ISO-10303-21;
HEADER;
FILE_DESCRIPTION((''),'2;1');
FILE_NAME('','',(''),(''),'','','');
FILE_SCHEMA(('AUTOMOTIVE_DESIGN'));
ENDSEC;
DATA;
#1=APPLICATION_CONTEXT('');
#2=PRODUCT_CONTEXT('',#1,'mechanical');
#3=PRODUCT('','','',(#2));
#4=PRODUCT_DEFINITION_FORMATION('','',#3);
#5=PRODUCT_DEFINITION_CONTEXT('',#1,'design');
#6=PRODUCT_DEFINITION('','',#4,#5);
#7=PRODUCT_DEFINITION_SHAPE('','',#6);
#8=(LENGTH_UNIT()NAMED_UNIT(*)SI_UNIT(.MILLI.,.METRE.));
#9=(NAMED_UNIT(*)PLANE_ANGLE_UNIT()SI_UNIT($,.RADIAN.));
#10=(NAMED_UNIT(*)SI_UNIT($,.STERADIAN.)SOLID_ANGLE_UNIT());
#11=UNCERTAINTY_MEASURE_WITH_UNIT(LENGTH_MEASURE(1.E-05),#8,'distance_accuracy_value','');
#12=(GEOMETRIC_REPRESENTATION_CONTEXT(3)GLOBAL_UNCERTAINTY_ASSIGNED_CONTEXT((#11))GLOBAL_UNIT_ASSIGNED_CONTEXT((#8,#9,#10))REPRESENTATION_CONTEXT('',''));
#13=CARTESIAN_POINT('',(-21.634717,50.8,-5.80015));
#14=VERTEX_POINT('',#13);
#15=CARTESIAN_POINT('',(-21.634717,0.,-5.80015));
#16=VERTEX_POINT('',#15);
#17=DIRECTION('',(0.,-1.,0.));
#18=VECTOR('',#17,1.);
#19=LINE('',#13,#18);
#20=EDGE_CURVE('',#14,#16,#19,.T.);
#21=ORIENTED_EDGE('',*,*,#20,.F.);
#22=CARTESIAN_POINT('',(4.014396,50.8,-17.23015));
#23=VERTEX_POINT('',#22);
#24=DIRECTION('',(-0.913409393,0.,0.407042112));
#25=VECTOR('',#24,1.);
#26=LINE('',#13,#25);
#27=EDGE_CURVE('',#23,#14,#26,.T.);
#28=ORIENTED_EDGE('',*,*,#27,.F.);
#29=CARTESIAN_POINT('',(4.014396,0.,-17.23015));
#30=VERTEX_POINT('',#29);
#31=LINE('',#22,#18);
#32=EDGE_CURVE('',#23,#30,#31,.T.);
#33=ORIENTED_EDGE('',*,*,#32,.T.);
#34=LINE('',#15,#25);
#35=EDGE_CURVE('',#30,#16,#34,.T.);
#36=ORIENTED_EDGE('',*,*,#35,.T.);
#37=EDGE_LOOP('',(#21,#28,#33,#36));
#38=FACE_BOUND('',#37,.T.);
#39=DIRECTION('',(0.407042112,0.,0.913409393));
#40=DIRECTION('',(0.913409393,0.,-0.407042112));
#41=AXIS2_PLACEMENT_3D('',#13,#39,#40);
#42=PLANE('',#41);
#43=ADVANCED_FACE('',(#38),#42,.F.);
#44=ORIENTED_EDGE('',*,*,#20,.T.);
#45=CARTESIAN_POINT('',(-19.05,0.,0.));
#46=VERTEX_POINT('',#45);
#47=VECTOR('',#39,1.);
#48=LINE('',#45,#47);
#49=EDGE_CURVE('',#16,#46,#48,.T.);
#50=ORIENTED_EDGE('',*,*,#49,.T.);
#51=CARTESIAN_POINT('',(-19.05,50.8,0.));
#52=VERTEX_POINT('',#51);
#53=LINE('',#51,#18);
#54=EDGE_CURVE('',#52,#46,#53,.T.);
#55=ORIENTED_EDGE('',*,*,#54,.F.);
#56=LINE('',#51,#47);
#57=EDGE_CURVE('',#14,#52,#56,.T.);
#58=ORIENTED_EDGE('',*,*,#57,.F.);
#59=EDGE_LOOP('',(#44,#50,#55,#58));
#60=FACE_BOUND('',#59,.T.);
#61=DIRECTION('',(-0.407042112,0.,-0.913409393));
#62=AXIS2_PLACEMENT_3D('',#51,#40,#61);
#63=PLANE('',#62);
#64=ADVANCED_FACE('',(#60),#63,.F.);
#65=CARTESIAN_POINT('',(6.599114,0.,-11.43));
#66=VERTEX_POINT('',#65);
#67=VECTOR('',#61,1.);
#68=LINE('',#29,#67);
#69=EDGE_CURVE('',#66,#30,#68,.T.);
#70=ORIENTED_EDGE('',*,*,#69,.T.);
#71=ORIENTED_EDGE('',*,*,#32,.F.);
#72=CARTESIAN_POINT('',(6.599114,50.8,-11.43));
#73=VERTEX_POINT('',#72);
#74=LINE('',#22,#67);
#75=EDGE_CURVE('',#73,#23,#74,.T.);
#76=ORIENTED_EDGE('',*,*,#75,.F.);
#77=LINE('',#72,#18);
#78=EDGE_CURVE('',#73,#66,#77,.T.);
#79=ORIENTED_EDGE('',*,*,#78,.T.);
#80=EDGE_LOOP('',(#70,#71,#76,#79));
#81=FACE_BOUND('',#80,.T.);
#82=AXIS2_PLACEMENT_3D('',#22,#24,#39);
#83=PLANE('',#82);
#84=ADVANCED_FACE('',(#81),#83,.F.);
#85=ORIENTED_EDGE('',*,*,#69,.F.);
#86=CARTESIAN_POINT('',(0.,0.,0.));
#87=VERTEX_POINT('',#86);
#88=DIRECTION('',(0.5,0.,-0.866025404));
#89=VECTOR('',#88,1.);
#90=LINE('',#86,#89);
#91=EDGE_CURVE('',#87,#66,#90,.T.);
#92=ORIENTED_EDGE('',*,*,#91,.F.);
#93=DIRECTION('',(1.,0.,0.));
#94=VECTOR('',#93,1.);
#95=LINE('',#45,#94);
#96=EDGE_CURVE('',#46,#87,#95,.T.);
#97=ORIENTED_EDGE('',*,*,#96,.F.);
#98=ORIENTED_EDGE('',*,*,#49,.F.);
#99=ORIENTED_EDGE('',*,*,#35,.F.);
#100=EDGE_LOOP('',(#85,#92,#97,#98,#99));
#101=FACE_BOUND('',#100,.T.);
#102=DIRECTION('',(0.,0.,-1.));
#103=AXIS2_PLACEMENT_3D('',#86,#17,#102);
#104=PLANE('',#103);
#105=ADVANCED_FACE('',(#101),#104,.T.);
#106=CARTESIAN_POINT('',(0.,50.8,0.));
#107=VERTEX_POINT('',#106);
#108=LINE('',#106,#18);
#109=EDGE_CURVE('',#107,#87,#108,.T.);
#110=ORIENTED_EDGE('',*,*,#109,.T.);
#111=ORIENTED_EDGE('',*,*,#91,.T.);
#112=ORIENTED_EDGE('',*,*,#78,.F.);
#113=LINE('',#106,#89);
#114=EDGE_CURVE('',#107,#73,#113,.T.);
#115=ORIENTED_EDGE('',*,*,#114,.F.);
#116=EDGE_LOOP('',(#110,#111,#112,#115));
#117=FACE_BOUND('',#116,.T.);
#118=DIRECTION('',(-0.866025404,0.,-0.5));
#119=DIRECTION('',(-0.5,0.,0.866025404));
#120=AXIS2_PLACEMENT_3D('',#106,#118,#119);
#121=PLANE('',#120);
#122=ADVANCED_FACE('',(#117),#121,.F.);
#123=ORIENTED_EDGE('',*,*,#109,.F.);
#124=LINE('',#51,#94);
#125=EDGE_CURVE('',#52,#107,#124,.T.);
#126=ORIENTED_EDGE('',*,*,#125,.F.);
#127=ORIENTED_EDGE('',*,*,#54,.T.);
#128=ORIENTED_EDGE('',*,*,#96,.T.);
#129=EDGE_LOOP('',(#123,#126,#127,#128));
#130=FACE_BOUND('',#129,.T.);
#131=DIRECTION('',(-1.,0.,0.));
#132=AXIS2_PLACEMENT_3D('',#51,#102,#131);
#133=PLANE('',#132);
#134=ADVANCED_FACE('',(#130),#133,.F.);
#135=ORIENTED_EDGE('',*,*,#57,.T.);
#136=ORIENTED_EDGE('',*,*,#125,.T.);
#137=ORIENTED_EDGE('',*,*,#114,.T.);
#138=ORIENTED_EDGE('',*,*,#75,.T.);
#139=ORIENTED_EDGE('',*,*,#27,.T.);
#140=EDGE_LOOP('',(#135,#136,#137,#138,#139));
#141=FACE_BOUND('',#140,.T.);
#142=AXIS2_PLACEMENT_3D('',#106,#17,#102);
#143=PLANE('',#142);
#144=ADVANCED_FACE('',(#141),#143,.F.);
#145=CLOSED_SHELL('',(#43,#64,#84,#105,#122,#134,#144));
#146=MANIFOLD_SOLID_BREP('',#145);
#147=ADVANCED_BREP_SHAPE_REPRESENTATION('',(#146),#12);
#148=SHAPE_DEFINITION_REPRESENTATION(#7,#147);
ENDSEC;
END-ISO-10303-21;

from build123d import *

# Parameters (mm, degrees)
BOSS_EXTRUDE1_DEPTH = 50.8


with BuildPart() as part:
    # Sketch1 → Boss-Extrude1 (new body)
    with BuildSketch(Plane(origin=(0, 0, 0), x_dir=(1, 0, 0), z_dir=(0, 1, 0))):
        Polygon((-19.05, 0), (0, 0), (6.599113577, 11.43), (4.014396166, 17.230149645), (-21.634717411, 5.800149645), align=None)
    extrude(amount=BOSS_EXTRUDE1_DEPTH)


solid = part.part
